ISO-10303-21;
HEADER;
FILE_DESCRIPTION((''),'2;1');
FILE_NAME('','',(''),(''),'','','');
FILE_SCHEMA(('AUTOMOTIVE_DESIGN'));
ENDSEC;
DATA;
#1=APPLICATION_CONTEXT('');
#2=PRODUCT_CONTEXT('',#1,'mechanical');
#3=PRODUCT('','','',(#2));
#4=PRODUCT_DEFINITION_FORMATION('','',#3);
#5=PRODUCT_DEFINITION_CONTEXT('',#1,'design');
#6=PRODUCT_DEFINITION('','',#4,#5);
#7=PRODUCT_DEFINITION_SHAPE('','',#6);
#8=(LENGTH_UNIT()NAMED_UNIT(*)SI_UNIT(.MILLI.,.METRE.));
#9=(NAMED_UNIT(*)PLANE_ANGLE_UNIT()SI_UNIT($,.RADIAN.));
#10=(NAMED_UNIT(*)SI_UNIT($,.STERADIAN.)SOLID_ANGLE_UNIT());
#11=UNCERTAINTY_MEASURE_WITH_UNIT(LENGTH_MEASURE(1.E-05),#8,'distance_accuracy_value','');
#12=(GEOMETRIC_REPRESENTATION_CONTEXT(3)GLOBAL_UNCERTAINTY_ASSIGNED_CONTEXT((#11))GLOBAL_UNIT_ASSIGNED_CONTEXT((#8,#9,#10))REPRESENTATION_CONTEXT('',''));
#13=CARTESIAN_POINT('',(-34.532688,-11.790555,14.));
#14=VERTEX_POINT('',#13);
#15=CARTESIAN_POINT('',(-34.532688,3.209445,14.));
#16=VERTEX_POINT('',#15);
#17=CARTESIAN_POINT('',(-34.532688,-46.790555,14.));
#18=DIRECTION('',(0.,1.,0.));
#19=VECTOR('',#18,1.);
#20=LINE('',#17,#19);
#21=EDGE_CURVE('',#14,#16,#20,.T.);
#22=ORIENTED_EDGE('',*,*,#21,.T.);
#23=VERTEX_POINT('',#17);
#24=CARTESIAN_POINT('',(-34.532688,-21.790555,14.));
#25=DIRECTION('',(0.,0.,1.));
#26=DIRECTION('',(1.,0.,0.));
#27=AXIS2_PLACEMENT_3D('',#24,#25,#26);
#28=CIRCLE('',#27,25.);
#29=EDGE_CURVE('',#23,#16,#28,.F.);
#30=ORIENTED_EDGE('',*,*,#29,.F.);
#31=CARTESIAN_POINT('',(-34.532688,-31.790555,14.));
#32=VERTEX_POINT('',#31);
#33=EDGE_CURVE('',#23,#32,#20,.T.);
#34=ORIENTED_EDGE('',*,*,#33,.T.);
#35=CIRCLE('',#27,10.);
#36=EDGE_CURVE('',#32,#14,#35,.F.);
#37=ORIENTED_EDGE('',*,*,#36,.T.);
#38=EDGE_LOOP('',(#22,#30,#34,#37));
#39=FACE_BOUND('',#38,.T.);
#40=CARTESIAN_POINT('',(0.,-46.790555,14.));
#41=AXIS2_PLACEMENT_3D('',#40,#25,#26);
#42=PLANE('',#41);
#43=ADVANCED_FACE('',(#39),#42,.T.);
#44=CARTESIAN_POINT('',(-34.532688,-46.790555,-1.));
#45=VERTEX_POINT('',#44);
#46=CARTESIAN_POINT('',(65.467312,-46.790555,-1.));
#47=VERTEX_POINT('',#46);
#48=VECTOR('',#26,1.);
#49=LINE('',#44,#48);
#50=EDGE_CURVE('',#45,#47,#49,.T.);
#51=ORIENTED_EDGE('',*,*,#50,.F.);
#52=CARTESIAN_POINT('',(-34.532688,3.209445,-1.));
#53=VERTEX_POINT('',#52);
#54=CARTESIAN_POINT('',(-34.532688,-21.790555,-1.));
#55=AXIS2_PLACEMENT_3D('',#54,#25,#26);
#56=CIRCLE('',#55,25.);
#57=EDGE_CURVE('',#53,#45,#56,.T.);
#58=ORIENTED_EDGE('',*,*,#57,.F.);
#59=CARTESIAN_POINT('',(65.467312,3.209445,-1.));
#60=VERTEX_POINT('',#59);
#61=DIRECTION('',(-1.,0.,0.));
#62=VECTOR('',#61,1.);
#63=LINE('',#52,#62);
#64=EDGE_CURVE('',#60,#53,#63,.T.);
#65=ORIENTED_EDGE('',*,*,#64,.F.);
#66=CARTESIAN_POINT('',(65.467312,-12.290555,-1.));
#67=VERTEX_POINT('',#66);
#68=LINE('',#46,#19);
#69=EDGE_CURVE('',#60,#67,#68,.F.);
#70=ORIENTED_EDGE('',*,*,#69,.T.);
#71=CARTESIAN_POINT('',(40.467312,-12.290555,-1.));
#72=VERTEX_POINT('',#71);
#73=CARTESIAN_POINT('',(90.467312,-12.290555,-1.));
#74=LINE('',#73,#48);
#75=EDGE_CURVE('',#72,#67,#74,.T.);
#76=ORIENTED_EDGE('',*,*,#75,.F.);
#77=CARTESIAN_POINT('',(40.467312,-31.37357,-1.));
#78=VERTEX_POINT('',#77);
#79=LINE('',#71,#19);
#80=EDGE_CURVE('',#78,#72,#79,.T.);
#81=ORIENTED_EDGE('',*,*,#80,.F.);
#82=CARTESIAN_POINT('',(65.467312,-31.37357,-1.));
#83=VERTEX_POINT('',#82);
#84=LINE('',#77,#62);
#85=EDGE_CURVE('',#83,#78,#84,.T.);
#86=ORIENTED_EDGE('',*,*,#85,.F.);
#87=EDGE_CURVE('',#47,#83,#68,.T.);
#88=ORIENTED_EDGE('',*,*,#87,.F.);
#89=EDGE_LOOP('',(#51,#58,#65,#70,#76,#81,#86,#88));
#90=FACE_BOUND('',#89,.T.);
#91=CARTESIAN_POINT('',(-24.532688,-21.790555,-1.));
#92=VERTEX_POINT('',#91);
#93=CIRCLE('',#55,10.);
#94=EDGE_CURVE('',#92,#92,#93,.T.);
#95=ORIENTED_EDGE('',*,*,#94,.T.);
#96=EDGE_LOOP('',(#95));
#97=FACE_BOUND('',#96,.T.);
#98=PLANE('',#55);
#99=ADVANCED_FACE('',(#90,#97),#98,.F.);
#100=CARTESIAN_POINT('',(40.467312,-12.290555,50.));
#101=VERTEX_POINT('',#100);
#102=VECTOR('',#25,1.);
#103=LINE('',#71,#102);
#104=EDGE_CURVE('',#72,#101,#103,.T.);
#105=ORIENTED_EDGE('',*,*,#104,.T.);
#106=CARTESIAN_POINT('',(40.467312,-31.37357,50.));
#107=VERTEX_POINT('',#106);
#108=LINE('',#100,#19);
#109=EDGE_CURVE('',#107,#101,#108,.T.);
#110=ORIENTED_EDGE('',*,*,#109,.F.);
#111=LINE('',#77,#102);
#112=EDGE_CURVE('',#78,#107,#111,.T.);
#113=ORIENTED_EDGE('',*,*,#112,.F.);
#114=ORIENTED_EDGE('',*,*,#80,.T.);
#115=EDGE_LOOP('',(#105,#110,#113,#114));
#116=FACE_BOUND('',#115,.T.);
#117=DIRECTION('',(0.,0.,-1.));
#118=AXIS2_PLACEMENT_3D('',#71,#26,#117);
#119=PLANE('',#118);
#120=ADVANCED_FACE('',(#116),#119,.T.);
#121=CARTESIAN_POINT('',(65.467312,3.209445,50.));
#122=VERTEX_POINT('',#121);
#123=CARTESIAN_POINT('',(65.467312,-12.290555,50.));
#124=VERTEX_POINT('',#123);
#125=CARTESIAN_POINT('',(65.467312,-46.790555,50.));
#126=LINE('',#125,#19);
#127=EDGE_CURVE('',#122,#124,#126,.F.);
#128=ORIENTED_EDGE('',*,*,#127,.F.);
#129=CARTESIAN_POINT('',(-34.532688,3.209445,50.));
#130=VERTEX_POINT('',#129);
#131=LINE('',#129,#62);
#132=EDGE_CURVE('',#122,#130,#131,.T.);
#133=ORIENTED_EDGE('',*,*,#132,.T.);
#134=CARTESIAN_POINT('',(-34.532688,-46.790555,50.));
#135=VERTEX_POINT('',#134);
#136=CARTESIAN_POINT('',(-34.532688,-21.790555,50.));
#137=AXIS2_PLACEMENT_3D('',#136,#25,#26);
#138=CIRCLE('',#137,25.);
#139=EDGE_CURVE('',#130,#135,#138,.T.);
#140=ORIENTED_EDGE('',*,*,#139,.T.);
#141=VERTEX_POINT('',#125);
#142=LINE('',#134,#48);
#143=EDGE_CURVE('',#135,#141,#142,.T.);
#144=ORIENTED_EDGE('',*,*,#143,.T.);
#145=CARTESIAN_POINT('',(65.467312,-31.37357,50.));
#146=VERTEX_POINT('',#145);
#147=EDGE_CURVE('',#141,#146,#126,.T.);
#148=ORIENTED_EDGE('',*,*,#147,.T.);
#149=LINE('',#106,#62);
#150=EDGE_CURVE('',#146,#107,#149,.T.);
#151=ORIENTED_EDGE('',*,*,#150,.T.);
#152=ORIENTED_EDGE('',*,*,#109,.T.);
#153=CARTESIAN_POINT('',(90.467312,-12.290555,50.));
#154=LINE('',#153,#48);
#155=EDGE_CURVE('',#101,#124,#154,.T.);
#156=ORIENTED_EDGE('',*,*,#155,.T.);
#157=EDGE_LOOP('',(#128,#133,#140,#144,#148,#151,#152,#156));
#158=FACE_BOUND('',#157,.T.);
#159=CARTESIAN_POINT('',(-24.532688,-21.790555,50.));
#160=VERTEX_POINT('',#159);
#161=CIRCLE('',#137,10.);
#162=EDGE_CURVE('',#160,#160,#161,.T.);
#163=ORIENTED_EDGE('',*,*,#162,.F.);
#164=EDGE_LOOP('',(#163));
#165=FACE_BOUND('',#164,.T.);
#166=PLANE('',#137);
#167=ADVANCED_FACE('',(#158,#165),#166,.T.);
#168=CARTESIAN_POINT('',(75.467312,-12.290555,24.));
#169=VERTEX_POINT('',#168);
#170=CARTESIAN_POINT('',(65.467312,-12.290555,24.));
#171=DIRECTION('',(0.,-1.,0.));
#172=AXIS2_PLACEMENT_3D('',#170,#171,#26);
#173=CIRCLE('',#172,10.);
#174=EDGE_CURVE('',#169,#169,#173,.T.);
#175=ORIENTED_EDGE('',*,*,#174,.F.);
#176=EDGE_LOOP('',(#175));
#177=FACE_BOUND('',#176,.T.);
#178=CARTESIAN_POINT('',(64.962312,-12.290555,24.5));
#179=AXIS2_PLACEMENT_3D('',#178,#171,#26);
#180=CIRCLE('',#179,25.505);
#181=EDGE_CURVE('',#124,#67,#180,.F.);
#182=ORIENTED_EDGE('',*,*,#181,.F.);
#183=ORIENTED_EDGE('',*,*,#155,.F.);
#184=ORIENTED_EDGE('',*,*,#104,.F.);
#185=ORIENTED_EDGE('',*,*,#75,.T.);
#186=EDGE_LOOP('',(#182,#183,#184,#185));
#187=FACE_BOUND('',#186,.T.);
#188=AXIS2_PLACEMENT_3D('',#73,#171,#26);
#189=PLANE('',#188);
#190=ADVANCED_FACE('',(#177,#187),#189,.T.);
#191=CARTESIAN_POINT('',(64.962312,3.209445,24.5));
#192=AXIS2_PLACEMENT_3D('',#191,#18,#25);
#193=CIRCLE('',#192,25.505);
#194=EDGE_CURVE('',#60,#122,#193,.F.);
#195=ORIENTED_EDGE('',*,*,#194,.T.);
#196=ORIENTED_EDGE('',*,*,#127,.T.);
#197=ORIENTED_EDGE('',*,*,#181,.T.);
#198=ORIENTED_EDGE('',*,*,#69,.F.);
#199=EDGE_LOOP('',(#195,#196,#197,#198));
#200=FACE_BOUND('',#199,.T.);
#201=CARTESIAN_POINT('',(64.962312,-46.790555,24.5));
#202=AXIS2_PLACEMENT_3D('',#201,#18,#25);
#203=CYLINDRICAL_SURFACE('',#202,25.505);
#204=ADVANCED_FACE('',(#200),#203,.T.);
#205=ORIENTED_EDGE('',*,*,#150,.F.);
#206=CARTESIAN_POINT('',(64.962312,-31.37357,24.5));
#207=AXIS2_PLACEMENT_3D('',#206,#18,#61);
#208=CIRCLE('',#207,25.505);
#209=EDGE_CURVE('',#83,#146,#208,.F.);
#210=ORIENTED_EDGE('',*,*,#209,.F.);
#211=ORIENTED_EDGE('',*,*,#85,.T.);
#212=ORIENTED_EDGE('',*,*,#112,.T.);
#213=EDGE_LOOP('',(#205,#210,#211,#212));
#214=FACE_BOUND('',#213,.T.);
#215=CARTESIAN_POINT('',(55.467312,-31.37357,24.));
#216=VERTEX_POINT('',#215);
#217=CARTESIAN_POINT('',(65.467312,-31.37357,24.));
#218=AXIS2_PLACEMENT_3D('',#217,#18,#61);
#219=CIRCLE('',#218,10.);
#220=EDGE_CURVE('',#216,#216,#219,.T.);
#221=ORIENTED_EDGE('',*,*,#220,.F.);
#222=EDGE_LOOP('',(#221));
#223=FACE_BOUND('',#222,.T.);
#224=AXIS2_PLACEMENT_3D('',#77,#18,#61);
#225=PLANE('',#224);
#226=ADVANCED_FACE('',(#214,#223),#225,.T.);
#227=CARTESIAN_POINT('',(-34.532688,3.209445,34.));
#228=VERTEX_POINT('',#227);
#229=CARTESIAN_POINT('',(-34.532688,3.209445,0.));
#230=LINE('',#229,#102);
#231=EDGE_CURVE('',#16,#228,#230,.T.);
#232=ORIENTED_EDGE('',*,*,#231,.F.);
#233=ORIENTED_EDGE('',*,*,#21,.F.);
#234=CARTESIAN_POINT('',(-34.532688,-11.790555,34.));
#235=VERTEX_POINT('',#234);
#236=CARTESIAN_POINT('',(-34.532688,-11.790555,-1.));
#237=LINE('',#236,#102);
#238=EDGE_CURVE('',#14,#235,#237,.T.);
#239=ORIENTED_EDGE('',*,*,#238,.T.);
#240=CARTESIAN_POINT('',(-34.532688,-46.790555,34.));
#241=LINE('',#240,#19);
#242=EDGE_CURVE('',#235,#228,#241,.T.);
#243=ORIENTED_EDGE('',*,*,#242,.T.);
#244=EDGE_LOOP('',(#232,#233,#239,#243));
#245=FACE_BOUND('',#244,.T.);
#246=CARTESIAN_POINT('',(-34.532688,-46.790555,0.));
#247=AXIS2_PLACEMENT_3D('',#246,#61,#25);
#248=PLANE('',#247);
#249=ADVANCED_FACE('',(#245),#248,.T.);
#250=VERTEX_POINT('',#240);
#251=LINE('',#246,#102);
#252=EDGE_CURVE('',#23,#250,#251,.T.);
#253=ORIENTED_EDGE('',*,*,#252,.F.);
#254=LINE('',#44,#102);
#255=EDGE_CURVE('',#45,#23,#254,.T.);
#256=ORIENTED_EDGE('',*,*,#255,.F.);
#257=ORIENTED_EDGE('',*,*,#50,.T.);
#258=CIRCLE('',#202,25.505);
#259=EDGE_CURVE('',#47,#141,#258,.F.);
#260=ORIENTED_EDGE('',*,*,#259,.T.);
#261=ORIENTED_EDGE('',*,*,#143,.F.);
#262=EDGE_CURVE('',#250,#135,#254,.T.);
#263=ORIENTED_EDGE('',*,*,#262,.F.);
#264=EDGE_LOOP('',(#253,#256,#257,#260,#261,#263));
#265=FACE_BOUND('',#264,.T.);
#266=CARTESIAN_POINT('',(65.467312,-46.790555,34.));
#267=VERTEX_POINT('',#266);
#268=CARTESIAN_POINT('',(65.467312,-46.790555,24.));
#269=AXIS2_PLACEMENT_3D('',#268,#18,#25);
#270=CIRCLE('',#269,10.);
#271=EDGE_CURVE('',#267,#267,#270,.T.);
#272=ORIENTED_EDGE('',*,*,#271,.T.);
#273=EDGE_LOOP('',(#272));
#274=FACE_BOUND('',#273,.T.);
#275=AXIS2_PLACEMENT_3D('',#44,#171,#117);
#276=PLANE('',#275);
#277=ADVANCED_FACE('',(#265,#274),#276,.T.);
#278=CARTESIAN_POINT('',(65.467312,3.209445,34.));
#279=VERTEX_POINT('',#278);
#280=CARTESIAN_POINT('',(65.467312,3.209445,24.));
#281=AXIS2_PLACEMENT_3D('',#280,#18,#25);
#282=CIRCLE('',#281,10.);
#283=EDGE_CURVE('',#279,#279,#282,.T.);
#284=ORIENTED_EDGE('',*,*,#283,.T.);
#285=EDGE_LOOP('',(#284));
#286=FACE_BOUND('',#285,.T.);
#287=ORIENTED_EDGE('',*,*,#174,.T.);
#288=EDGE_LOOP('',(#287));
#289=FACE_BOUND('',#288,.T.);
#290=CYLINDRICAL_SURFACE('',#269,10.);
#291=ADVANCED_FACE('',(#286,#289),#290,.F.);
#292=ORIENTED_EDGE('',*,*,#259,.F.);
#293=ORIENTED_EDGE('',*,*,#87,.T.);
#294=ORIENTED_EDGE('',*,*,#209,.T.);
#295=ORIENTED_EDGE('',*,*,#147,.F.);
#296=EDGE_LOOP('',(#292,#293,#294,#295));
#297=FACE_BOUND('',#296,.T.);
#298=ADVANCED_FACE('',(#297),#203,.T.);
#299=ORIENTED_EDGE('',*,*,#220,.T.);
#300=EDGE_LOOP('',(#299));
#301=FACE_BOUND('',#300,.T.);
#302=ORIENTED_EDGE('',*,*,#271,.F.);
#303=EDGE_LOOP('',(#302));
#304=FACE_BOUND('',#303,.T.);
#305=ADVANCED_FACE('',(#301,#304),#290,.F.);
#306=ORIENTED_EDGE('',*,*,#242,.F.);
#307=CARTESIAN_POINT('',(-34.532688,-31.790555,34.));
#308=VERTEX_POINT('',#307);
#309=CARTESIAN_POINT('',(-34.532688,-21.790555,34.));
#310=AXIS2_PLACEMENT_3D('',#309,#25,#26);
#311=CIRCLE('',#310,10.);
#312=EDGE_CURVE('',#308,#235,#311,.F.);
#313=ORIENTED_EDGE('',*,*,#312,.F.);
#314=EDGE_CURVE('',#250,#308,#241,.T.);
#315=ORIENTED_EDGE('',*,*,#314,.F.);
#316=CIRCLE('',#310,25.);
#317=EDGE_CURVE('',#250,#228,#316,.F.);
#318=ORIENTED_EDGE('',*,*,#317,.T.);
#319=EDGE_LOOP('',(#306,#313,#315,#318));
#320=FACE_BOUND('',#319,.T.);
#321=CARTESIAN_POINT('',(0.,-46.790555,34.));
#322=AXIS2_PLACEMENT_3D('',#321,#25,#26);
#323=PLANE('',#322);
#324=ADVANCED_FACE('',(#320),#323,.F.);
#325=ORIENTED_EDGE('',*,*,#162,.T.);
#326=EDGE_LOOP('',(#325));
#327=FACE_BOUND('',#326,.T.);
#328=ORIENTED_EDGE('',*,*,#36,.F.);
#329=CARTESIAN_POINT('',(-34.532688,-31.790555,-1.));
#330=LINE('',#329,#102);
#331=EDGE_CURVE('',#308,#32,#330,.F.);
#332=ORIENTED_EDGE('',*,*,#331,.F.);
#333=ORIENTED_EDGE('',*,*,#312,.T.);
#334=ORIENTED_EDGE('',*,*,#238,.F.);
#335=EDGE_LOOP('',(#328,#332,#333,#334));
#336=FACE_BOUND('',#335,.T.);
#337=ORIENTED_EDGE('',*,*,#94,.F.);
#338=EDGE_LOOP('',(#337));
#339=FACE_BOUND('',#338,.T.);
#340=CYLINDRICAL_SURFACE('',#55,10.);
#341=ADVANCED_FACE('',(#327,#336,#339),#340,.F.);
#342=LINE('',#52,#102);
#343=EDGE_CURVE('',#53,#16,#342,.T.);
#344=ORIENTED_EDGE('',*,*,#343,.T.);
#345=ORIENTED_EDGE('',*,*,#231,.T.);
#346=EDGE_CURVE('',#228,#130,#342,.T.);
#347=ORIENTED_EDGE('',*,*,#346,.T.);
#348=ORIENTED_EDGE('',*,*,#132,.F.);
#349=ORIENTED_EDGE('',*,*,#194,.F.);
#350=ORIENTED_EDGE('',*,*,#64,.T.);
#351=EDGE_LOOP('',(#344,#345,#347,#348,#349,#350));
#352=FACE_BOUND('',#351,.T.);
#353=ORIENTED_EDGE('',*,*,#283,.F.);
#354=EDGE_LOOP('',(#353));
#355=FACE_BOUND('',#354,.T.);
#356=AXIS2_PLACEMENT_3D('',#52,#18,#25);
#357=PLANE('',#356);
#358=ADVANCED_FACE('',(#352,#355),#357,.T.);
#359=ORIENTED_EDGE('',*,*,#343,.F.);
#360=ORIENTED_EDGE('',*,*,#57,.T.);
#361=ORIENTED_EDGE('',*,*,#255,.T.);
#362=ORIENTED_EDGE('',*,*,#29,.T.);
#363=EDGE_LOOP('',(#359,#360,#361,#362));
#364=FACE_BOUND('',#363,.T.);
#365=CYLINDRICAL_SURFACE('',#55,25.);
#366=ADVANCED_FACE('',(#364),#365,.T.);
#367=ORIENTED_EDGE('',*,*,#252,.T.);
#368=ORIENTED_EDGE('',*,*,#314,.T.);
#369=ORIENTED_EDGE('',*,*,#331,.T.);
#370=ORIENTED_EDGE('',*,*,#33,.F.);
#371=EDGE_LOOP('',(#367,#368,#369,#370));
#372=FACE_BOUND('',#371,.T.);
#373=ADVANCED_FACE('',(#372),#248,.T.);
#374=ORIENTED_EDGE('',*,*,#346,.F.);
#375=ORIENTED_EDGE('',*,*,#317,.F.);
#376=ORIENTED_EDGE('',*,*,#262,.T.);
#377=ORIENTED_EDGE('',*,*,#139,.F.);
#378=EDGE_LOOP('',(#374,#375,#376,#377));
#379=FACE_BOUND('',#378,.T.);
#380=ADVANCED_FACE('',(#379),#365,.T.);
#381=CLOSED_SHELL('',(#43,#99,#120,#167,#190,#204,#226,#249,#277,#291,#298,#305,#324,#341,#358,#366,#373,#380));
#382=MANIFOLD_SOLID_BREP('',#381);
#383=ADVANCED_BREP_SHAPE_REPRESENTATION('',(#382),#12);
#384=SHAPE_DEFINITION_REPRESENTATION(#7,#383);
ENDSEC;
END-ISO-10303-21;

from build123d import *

# Parameters (mm, degrees)
SKETCH1_R                = 10
BOSS_EXTRUDE1_DEPTH      = 50
BOSS_EXTRUDE1_DEPTH_BACK = 1
SKETCH2_W                = 25
SKETCH2_H                = 20
SKETCH2_R                = 10
CUT_EXTRUDE3_DEPTH       = 50


with BuildPart() as part:
    # Sketch1 → Boss-Extrude1 (new body, two sides)
    with BuildSketch(Plane.XY) as boss_extrude1_sk:
        with BuildLine():
            Line((90.467312071, -12.290554593), (40.467312071, -12.290554593))
            Line((40.467312071, -12.290554593), (40.467312071, -31.373570191))
            Line((40.467312071, -31.373570191), (90.467312071, -31.373570191))
            Line((90.467312071, -31.373570191), (90.467312071, -46.790554593))
            Line((90.467312071, -46.790554593), (-34.532687929, -46.790554593))
            ThreePointArc((-34.532687929, -46.790554593), (-59.532687929, -21.790554593), (-34.532687929, 3.209445407))
            Line((-34.532687929, 3.209445407), (90.467312071, 3.209445407))
            Line((90.467312071, 3.209445407), (90.467312071, -12.290554593))
        make_face()
        with Locations((-34.532687929, -21.790554593)):
            Circle(SKETCH1_R, mode=Mode.SUBTRACT)
    extrude(amount=BOSS_EXTRUDE1_DEPTH)
    extrude(boss_extrude1_sk.sketch, amount=-BOSS_EXTRUDE1_DEPTH_BACK)

    # Sketch2 → Cut-Extrude3 (cut)
    with BuildSketch(Plane(origin=(0, 3.209445407, 0), x_dir=(1, 0, 0), z_dir=(0, 1, 0))):
        with Locations((-47.032687929, -24)):
            Rectangle(SKETCH2_W, SKETCH2_H)
        with Locations((65.467312071, -24)):
            Circle(SKETCH2_R)
        with BuildLine():
            ThreePointArc((90.467312071, -24.5), (83.174739834, -42.355321336), (65.467312071, -50))
            Line((65.467312071, -50), (90.467312071, -50))
            Line((90.467312071, -50), (90.467312071, -24.5))
        make_face()
        with BuildLine():
            Line((90.467312071, 1), (65.467312071, 1))
            ThreePointArc((65.467312071, 1), (83.174739834, -6.644678664), (90.467312071, -24.5))
            Line((90.467312071, -24.5), (90.467312071, 1))
        make_face()
    extrude(amount=-CUT_EXTRUDE3_DEPTH, mode=Mode.SUBTRACT)


solid = part.part
